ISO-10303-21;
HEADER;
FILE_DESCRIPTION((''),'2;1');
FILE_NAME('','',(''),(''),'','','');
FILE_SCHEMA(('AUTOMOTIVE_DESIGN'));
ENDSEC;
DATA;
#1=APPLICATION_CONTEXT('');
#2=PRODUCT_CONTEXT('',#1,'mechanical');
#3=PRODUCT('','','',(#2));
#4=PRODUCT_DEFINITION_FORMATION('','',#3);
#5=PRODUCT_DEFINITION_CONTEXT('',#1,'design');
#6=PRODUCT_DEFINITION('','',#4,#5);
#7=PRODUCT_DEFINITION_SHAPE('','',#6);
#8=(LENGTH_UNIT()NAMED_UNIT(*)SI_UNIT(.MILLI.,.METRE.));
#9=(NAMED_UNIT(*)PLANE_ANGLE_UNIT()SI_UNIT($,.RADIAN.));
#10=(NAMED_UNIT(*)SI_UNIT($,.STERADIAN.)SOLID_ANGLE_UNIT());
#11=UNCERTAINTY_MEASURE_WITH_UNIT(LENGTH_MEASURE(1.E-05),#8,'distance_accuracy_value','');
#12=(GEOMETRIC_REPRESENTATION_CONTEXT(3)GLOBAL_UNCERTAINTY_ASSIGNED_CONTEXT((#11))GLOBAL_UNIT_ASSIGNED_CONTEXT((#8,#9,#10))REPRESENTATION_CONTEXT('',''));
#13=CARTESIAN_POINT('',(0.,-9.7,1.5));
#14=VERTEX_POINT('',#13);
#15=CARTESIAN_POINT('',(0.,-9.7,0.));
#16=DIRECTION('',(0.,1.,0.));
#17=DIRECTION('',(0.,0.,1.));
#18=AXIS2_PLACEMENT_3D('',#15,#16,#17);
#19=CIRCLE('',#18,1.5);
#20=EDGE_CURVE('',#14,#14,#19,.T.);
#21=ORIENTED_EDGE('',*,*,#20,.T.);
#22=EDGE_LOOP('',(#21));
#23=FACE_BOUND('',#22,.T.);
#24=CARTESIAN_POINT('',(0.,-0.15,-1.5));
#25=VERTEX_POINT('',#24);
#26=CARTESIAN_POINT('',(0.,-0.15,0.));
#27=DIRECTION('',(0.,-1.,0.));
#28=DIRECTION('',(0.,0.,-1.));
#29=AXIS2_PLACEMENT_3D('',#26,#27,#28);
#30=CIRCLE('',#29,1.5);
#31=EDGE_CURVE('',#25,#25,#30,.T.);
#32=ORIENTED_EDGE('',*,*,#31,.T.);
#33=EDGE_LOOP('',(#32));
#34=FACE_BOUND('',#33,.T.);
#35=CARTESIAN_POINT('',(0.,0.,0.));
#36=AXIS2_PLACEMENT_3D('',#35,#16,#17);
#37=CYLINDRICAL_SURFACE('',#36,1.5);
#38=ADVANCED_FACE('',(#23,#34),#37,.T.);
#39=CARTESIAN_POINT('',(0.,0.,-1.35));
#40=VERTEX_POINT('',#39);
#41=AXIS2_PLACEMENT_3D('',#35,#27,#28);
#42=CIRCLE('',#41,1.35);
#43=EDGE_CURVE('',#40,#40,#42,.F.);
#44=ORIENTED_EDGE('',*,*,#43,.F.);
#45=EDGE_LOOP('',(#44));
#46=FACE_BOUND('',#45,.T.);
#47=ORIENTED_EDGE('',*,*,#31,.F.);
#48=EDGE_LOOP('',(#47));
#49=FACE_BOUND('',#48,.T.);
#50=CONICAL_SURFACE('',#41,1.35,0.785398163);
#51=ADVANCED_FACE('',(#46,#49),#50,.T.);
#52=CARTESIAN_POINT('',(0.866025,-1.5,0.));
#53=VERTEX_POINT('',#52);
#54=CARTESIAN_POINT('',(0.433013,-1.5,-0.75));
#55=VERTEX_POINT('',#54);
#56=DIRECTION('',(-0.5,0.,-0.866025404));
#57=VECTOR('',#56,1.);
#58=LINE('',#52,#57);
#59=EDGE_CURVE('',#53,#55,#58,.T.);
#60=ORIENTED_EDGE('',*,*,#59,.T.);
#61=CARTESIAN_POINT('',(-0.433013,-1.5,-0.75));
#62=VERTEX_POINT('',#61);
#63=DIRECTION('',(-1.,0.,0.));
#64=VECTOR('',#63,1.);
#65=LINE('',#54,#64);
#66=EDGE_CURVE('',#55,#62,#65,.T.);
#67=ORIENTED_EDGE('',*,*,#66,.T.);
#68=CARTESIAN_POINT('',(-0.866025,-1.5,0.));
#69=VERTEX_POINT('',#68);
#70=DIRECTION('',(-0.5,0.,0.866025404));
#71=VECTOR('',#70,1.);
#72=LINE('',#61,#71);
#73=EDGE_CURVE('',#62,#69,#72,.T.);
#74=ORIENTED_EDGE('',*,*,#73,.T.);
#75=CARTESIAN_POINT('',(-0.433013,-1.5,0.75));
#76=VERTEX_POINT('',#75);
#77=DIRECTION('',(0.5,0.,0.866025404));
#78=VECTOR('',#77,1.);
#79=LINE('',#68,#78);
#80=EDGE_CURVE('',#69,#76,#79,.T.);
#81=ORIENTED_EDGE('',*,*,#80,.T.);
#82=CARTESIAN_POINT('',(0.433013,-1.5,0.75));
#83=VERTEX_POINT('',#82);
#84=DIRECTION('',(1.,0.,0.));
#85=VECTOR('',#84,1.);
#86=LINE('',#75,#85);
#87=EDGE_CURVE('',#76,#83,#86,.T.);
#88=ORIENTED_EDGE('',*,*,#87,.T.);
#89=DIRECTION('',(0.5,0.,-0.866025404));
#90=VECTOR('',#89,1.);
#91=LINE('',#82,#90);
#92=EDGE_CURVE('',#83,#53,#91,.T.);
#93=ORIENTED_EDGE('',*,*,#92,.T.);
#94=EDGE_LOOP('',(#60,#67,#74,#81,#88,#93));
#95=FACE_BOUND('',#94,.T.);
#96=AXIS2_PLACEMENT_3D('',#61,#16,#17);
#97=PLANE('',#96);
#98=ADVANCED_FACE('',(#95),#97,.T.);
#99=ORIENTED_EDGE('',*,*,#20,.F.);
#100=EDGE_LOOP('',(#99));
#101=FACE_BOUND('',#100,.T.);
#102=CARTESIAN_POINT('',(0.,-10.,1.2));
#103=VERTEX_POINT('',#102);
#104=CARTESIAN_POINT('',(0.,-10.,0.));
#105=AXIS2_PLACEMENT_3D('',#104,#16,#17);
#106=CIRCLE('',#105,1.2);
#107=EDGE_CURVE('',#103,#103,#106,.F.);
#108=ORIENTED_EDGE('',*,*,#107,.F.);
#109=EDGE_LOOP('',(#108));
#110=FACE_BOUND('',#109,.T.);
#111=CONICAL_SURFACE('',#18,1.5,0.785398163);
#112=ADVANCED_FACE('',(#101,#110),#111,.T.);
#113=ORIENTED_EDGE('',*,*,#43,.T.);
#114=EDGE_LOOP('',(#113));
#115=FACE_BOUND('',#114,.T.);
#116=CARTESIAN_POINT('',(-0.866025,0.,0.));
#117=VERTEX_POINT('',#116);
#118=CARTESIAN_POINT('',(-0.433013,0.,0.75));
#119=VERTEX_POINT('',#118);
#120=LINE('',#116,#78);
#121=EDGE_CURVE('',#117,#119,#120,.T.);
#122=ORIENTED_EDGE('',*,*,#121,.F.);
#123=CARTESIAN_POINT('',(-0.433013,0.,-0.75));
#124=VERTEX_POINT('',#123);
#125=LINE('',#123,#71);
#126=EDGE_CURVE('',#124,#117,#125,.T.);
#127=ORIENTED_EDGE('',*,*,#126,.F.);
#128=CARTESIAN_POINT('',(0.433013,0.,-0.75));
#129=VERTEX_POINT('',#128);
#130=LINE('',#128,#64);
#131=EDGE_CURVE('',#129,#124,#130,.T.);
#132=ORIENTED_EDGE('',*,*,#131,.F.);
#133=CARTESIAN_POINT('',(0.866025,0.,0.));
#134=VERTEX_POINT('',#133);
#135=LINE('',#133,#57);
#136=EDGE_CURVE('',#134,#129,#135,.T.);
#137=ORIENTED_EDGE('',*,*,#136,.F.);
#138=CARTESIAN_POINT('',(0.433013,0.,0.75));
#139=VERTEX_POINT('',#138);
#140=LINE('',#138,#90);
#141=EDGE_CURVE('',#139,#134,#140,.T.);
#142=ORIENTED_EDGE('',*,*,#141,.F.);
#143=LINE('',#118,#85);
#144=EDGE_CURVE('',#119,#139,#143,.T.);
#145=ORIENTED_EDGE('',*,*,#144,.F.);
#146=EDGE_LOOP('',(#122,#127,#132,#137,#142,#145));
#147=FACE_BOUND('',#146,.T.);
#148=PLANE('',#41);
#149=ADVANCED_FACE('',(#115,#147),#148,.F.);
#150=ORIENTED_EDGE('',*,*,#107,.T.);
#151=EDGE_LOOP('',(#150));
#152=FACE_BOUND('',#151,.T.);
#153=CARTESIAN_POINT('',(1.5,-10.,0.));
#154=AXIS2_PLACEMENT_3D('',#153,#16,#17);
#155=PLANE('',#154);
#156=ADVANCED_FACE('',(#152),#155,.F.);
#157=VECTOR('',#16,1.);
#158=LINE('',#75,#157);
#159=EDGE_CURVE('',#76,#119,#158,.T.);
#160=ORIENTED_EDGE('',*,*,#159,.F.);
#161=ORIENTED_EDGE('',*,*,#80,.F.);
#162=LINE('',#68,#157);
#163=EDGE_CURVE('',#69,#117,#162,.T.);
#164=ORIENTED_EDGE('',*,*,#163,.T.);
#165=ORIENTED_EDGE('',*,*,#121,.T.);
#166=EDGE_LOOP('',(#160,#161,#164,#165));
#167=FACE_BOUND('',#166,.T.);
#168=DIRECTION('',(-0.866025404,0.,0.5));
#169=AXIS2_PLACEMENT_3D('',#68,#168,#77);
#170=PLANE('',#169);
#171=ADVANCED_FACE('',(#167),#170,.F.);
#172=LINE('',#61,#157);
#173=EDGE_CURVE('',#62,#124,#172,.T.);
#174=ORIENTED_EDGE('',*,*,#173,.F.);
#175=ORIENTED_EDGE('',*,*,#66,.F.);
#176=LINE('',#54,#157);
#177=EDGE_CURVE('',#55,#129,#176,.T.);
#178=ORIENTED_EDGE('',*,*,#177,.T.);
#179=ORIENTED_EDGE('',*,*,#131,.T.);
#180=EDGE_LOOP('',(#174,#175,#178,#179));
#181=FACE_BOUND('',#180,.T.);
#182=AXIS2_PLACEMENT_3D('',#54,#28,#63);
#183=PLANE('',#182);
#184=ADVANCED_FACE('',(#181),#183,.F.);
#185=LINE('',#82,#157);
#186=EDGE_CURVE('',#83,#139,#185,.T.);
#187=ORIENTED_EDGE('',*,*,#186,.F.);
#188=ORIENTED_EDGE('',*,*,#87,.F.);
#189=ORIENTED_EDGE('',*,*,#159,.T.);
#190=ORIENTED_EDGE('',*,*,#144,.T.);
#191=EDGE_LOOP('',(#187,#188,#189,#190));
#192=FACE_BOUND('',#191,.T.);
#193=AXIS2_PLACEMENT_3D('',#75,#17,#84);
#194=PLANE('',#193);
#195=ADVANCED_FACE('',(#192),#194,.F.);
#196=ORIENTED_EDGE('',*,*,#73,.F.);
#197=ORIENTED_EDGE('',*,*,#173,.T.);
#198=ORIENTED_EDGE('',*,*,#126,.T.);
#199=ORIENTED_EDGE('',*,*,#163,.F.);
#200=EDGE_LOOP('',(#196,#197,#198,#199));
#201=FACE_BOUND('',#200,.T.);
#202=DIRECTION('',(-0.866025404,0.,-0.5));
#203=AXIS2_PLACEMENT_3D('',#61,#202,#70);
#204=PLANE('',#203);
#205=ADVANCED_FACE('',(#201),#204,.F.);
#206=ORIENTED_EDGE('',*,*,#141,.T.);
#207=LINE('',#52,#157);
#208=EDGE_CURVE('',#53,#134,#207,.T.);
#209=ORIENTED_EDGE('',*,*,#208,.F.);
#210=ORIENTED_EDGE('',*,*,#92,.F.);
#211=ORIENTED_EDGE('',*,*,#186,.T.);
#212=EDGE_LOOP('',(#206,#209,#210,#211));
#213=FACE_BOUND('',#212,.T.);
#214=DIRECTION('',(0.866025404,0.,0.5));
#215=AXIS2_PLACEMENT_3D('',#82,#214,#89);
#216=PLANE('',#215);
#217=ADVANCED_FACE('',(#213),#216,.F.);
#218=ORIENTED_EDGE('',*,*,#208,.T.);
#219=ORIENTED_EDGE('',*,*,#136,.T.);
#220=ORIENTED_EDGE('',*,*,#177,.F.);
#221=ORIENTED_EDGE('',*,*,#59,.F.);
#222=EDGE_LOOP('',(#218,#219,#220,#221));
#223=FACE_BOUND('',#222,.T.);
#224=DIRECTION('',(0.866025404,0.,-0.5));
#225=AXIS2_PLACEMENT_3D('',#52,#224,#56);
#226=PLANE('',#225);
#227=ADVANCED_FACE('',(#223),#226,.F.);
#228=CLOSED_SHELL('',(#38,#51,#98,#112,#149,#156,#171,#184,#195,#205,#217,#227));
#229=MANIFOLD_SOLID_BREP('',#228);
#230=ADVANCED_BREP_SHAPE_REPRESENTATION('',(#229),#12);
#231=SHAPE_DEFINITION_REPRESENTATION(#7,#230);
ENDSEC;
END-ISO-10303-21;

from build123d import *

# Parameters (mm, degrees)
CROQUIS1_W            = 1.5
CROQUIS1_H            = 10
CORTAR_EXTRUIR2_DEPTH = 1.5
CHAFL_N3_SIZE         = 0.3
CHAFL_N4_SIZE         = 0.15


with BuildPart() as part:
    # Croquis1 → Revolución1 (revolve)
    with BuildSketch(Plane.XY, mode=Mode.PRIVATE) as revoluci_n1_sk:
        with Locations((0.75, -5)):
            Rectangle(CROQUIS1_W, CROQUIS1_H)
    revolve(revoluci_n1_sk.sketch.rotate(Axis((0, 0, 0), (0, -1, 0)), 90), axis=Axis((0, 0, 0), (0, -1, 0)))

    # Croquis3 → Cortar-Extruir2 (cut)
    with BuildSketch(Plane(origin=(0, 0, 0), x_dir=(1, 0, 0), z_dir=(0, 1, 0))):
        Polygon((-0.433012702, 0.75), (-0.866025404, 0), (-0.433012702, -0.75), (0.433012702, -0.75), (0.866025404, 0), (0.433012702, 0.75), align=None)
    extrude(amount=-CORTAR_EXTRUIR2_DEPTH, mode=Mode.SUBTRACT)

    # Chaflán3
    chafl_n3_edges = [part.edges().sort_by_distance(p)[0] for p in [
        (0, -10, -1.5),
    ]]
    chamfer(chafl_n3_edges, length=CHAFL_N3_SIZE)

    # Chaflán4
    chafl_n4_edges = [part.edges().sort_by_distance(p)[0] for p in [
        (0, 0, -1.5),
    ]]
    chamfer(chafl_n4_edges, length=CHAFL_N4_SIZE)


solid = part.part
